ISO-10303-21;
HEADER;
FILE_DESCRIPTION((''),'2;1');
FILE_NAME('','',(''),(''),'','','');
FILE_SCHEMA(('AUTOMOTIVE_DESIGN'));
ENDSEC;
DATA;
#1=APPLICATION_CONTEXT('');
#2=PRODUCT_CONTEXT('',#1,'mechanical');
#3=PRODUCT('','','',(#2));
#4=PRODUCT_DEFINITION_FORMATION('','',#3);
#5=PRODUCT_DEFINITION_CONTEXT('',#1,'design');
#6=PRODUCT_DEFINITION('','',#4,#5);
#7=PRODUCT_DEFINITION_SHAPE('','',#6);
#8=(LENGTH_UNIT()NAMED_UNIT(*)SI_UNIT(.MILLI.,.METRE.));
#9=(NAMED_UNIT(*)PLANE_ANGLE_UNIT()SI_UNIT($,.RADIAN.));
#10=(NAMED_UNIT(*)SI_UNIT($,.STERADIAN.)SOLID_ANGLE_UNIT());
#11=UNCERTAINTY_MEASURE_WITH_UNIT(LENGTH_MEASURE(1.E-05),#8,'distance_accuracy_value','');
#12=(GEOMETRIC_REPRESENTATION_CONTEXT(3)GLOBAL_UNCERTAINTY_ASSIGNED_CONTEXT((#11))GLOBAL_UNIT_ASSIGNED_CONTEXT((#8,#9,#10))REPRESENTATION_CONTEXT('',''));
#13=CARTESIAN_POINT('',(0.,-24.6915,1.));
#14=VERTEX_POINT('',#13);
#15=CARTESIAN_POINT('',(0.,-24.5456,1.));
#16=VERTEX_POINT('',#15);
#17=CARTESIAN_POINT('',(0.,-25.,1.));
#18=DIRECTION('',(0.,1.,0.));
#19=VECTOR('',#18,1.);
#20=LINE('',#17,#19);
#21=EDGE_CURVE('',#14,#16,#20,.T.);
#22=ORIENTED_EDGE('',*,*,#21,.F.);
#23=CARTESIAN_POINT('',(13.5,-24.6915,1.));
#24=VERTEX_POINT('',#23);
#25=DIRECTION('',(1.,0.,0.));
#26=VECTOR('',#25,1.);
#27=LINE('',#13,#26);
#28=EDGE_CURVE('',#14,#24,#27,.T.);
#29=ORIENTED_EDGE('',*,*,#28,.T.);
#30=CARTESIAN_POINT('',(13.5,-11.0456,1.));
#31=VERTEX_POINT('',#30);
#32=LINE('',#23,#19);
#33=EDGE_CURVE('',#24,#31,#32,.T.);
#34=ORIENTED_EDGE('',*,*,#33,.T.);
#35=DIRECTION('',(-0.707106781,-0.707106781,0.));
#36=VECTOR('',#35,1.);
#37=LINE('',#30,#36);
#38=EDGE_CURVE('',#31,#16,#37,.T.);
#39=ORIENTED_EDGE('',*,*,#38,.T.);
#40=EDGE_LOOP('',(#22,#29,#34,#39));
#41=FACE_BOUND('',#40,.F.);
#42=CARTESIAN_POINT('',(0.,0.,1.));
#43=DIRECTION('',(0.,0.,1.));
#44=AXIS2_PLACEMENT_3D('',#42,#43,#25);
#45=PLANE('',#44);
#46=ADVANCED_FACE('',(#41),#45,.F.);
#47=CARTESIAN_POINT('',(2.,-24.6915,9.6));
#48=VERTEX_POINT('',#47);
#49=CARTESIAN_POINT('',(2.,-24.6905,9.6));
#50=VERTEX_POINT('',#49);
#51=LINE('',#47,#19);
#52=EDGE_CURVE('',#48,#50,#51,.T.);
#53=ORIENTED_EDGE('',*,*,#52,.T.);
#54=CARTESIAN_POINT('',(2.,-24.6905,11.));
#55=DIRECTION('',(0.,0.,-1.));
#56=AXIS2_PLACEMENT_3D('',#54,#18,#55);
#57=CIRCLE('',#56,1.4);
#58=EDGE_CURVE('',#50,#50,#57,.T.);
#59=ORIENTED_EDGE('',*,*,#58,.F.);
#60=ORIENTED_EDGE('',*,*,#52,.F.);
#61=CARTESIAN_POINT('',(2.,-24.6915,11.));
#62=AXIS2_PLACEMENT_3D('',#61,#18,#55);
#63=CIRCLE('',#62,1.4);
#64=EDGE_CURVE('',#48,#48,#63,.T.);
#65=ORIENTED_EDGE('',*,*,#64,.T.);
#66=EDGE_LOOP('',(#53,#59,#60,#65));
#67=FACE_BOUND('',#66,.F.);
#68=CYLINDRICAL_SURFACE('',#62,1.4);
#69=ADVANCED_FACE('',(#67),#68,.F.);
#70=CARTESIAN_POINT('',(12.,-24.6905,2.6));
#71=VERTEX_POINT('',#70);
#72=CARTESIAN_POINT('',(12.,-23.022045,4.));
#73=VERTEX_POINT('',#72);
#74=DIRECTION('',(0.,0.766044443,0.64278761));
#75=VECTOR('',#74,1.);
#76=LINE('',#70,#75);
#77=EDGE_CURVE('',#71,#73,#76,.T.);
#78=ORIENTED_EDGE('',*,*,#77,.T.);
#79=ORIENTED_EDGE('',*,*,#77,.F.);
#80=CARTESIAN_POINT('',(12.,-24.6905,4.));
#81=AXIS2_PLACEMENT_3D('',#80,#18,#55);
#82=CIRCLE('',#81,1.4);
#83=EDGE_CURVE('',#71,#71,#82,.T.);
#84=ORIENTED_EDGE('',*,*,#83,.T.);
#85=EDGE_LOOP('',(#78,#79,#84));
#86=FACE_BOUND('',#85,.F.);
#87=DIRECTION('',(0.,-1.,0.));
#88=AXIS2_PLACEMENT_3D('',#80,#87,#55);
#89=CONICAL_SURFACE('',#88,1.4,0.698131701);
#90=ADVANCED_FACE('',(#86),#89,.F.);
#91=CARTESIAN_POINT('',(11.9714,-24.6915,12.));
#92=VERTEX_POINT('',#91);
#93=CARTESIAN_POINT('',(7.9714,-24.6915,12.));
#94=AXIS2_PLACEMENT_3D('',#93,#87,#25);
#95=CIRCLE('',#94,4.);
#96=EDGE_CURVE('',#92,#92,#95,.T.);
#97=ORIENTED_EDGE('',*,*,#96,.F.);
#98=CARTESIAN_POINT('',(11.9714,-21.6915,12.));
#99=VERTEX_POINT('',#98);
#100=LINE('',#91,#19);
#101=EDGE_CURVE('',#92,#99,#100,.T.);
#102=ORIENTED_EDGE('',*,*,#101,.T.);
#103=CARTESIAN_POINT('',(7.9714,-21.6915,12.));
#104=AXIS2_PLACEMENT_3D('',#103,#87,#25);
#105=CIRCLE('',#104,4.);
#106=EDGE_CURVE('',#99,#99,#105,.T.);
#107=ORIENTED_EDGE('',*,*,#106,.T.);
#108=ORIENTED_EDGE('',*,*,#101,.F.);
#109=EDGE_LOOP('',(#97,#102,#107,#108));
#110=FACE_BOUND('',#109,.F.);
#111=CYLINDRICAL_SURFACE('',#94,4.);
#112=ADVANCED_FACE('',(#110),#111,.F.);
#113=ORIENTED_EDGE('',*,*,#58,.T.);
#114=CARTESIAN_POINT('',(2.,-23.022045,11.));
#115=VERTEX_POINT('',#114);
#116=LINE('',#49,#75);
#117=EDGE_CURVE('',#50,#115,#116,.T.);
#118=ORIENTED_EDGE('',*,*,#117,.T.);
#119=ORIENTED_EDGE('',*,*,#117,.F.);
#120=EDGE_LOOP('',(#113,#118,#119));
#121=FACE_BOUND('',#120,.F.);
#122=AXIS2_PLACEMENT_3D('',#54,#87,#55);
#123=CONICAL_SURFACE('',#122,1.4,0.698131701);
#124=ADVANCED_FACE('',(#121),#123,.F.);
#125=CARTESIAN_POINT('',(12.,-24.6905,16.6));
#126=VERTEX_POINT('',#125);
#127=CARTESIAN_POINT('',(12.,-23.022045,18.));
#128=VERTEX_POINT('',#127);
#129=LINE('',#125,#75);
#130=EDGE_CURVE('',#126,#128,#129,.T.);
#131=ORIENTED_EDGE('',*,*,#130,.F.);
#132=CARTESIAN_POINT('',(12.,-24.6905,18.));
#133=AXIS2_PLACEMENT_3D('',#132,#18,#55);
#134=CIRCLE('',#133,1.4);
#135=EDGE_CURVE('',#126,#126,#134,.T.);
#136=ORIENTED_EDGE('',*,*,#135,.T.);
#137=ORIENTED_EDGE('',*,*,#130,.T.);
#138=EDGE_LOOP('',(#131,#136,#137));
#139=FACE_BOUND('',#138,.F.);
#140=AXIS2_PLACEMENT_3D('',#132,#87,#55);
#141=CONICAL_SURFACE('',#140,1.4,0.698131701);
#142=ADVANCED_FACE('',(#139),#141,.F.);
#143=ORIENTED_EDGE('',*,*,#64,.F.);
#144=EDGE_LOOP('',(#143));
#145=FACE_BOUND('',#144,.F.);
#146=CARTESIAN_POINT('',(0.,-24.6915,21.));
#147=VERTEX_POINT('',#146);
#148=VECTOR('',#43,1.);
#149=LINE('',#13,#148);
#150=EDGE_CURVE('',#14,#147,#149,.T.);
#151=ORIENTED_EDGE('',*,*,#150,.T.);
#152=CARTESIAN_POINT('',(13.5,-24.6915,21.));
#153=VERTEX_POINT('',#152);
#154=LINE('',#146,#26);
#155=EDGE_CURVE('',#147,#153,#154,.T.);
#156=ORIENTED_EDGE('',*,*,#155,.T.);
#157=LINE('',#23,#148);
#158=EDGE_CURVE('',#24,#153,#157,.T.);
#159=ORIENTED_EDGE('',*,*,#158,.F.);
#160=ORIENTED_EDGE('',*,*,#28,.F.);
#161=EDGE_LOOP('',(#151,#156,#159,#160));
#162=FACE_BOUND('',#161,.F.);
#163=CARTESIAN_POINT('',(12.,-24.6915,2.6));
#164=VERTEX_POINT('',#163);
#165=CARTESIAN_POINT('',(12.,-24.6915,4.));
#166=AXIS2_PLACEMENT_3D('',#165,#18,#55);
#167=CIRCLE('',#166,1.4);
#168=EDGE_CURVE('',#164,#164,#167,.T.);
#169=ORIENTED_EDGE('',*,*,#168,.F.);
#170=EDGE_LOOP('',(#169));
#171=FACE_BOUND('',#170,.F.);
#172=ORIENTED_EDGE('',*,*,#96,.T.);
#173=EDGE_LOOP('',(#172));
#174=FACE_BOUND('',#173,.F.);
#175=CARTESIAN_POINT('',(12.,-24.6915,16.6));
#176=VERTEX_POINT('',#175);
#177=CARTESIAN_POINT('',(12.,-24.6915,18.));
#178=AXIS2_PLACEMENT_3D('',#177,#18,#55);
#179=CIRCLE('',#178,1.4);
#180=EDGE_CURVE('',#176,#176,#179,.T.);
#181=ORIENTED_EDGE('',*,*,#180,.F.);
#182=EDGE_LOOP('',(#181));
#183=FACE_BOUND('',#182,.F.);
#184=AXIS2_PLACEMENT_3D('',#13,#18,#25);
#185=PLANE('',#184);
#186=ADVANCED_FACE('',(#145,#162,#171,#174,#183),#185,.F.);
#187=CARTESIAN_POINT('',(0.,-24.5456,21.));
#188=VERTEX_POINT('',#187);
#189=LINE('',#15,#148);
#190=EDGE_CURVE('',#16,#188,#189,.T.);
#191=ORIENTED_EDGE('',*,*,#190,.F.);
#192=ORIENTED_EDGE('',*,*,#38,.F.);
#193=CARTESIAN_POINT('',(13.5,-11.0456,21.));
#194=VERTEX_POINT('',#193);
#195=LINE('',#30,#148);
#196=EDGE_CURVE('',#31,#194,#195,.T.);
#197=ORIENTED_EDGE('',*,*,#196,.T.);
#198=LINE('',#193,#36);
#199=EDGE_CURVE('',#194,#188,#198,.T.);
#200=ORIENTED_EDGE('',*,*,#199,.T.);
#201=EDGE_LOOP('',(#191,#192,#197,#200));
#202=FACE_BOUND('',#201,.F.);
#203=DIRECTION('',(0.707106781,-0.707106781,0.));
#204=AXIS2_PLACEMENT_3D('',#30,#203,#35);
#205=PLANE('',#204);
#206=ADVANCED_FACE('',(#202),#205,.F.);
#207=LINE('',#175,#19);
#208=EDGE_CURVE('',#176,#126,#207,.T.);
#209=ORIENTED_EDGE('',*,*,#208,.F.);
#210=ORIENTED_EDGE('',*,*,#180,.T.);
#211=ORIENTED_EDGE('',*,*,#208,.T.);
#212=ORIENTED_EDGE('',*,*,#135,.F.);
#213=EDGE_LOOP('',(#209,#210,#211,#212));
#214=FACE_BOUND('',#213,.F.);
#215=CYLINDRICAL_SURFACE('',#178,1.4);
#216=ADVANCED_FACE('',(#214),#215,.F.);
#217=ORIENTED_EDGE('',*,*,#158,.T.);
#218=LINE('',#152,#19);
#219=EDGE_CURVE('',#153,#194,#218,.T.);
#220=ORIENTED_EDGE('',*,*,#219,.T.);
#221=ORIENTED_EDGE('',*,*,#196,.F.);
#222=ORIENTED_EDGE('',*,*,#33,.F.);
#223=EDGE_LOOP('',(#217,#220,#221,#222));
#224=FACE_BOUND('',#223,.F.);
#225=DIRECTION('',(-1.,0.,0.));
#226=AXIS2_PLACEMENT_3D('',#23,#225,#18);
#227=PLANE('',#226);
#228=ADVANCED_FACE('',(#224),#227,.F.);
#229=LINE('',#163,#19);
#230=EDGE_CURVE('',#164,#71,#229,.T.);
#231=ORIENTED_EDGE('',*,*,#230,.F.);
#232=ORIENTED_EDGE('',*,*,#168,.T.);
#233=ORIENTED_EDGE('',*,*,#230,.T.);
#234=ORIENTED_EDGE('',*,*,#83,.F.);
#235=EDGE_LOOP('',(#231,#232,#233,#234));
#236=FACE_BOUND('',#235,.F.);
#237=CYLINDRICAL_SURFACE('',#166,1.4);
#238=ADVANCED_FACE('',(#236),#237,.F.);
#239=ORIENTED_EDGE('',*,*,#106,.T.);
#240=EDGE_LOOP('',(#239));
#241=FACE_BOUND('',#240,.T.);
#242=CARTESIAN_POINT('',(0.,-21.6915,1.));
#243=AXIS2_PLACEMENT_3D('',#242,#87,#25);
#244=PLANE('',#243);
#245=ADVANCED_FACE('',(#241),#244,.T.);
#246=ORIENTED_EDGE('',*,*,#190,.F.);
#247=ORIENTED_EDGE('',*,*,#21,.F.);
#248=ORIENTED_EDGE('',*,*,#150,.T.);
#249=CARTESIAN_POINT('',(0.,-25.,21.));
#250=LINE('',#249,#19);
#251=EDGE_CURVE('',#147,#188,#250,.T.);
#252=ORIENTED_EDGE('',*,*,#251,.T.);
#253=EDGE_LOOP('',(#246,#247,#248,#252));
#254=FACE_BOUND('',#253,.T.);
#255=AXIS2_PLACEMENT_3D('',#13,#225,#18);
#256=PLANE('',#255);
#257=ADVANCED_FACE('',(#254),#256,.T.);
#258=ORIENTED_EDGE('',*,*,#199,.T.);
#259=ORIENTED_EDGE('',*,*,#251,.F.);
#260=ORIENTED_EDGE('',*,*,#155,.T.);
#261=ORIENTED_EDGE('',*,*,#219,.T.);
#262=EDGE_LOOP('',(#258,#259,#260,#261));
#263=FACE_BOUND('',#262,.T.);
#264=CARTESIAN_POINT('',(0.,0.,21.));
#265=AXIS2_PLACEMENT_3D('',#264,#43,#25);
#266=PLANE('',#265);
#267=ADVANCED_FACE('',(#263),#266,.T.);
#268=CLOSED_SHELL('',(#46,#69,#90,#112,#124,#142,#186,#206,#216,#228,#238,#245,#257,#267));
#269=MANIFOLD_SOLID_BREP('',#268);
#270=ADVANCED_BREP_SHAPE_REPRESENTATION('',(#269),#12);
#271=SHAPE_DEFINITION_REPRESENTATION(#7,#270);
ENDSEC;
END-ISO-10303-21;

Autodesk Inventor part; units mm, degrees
ref_plane "YZ Plane" through (0, 0, 0) normal (1, 0, 0) x (0, 1, 0)
ref_plane "XZ Plane" through (0, 0, 0) normal (0, 1, 0) x (-1, 0, 0)
ref_plane "XY Plane" through (0, 0, 0) normal (0, 0, 1) x (1, 0, 0)
ref_plane "Arbeitsebene1" through (0, 0, 1) normal (0, 0, 1) x (1, 0, 0)
sketch "Skizze1" plane through (0, 0, 1) normal (0, 0, 1) x (1, 0, 0)
  line L0 (0, -25) -> (0, 0) projected
  line L1 (0, -25) -> (14, -25) projected
  line L2 (14, 0) -> (14, -25) projected
  line L3 (0, 0) -> (14, 0) projected
  line L4 (-1, -11.3514) -> (-6.5, -11.3514) construction
  line L5 (-4.5, -14.125) -> (-37.3, -14.125) construction
  line L6 (-1, -16.6486) -> (-6.5, -16.6486) construction
  line L7 (4, 20.8392) -> (4, 0) construction
  line L8 (12, 20.8392) -> (12, 0) construction
  line L9 (8, 20.6561) -> (8, -14) construction
  line L10 (-4.5, -14) -> (8, -14) construction
  line L11 (1.6137, -20.3863) -> (12.8954, -9.1046) construction
  line L12 (1.6137, -20.3863) -> (17.5684, -20.3863) construction
  line L13 (0, -25) -> (14, -25) construction
  line L14 (0, -24.6915) -> (13.5, -24.6915)
  line L15 (13.5, -24.6915) -> (13.5, -11.0456)
  line L16 (13.5, -11.0456) -> (0, -24.5456)
  line L17 (0, -24.6915) -> (0, -24.5456)
  dimension "d0" = 4
  dimension "d1" = 5.2972
  dimension "d2" = 2.6486
  dimension "d3" = 45
  dimension "d4" = 1.8
  dimension "d5" = 0.5
extrude "Extrusion1" add sketch "Skizze1" along normal blind 20 contours L0 L16 L15 L14
sketch "Skizze2" plane through (0, -24.6915, 1) normal (0, -1, 0) x (1, 0, 0)
  circle A0 centre (12, 17) radius 1.4 projected
  line L0 (0, 2.559) -> (10.6713, 2.559) projected
  circle A1 centre (12, 3) radius 1.4 projected
  circle A2 centre (2, 10) radius 1.4 projected
  point P0 (0, -1)
hole "Bohrung1" at (12, -24.6915, 18) at (12, -24.6915, 4) at (2, -24.6915, 11) direction (0, 1, 0) diameter 2.8 depth 0.001 tip angle 80
sketch "Skizze3" plane through (0, -24.6915, 1) normal (0, -1, 0) x (1, 0, 0)
  line L0 (0, 20) -> (13.5, 20) projected
  line L1 (0, 0) -> (13.5, 0) projected
  line L2 (13.5, 0) -> (13.5, 20) projected
  line L3 (0, -7) -> (0, 29) projected
  circle A0 centre (7.9714, 11) radius 4
  point P0 (0, -1)
  dimension "d15" = 8
extrude "Extrusion2" cut sketch "Skizze3" against normal blind 3 contours A0
equation "\"d2\" = 0.5 * d1"
properties part number "TIRFImager_KinematicMirror_v3"
